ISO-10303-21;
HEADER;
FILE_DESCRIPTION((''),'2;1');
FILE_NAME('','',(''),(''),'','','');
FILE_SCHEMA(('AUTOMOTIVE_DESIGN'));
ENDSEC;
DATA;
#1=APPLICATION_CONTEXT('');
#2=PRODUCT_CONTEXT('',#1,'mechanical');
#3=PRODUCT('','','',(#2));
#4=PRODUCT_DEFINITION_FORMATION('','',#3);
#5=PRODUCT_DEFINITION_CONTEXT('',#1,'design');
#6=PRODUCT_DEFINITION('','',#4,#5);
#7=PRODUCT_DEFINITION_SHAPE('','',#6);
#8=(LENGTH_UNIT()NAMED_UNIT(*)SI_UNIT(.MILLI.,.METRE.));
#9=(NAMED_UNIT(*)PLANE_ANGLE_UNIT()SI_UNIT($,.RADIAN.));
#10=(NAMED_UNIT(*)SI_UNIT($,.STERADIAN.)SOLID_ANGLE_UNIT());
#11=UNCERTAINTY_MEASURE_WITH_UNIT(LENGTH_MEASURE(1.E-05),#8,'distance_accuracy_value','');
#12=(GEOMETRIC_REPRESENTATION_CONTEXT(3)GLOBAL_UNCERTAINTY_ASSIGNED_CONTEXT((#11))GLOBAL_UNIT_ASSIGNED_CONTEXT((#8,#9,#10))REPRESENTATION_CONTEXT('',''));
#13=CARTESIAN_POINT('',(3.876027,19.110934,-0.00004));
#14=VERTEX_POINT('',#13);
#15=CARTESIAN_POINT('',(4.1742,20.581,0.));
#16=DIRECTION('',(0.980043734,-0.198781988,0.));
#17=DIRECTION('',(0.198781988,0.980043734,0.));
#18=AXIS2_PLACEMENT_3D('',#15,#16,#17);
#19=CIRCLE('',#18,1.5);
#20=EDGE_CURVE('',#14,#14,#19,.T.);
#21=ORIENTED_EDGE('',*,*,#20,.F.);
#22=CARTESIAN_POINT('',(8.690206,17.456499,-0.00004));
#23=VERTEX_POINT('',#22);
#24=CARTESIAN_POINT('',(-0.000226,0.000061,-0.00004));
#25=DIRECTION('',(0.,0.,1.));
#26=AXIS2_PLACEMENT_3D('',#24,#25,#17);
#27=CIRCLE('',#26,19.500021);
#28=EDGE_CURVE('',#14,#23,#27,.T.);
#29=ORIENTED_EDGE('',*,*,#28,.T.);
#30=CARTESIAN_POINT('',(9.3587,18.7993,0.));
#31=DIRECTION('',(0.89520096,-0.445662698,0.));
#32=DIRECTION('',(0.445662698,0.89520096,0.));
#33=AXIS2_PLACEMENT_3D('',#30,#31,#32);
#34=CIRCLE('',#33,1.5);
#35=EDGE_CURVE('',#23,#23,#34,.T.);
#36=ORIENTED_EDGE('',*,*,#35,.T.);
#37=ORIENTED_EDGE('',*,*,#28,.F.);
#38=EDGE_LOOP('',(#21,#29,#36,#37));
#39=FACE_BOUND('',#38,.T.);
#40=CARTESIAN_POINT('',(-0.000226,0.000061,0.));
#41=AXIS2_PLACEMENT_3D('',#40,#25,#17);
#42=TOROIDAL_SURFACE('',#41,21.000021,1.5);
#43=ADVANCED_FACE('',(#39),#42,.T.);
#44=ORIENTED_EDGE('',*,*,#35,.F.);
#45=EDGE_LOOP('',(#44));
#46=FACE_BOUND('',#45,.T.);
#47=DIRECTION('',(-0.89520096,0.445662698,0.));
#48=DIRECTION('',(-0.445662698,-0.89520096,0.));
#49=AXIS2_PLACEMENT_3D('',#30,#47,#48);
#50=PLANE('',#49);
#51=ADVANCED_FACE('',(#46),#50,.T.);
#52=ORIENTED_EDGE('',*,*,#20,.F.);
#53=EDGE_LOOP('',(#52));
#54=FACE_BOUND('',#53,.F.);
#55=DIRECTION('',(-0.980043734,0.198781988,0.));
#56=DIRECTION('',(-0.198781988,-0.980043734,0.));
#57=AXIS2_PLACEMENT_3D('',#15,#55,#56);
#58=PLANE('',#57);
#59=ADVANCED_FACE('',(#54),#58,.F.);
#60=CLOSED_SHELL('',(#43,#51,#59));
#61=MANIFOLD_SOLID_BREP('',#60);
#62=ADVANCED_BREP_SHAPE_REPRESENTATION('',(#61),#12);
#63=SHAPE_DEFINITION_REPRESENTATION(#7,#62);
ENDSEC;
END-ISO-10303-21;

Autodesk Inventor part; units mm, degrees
ref_plane "YZ Plane" through (0, 0, 0) normal (1, 0, 0) x (0, 1, 0)
ref_plane "XZ Plane" through (0, 0, 0) normal (0, 1, 0) x (-1, 0, 0)
sketch "Sketch1" plane through (0, 0, 0) normal (0, 0, 1) x (1, 0, 0)
  arc A0 (4.1742, 20.581) -> (9.3587, 18.7993) centre (0, 0) ccw
  line L0 (4.1742, 20.581) -> (0, 0) construction
  line L1 (0, 0) -> (9.3587, 18.7993) construction
  dimension "d0" = 15
  dimension "d1" = 42
ref_plane "Work Plane1" through (4.1742, 20.581, 0) normal (-0.98, 0.1988, 0) x (-0.1988, -0.98, 0)
sketch "Sketch2" plane through (4.1742, 20.581, 0) normal (-0.98, 0.1988, 0) x (-0.1988, -0.98, 0)
  circle A0 centre (0, 0) radius 1.5
  point P0 (21, 0)
  dimension "d2" = 3
sweep "Sweep1" add profiles "Sketch2" path "Sketch1"
properties part number "Pierścień ustalający"
